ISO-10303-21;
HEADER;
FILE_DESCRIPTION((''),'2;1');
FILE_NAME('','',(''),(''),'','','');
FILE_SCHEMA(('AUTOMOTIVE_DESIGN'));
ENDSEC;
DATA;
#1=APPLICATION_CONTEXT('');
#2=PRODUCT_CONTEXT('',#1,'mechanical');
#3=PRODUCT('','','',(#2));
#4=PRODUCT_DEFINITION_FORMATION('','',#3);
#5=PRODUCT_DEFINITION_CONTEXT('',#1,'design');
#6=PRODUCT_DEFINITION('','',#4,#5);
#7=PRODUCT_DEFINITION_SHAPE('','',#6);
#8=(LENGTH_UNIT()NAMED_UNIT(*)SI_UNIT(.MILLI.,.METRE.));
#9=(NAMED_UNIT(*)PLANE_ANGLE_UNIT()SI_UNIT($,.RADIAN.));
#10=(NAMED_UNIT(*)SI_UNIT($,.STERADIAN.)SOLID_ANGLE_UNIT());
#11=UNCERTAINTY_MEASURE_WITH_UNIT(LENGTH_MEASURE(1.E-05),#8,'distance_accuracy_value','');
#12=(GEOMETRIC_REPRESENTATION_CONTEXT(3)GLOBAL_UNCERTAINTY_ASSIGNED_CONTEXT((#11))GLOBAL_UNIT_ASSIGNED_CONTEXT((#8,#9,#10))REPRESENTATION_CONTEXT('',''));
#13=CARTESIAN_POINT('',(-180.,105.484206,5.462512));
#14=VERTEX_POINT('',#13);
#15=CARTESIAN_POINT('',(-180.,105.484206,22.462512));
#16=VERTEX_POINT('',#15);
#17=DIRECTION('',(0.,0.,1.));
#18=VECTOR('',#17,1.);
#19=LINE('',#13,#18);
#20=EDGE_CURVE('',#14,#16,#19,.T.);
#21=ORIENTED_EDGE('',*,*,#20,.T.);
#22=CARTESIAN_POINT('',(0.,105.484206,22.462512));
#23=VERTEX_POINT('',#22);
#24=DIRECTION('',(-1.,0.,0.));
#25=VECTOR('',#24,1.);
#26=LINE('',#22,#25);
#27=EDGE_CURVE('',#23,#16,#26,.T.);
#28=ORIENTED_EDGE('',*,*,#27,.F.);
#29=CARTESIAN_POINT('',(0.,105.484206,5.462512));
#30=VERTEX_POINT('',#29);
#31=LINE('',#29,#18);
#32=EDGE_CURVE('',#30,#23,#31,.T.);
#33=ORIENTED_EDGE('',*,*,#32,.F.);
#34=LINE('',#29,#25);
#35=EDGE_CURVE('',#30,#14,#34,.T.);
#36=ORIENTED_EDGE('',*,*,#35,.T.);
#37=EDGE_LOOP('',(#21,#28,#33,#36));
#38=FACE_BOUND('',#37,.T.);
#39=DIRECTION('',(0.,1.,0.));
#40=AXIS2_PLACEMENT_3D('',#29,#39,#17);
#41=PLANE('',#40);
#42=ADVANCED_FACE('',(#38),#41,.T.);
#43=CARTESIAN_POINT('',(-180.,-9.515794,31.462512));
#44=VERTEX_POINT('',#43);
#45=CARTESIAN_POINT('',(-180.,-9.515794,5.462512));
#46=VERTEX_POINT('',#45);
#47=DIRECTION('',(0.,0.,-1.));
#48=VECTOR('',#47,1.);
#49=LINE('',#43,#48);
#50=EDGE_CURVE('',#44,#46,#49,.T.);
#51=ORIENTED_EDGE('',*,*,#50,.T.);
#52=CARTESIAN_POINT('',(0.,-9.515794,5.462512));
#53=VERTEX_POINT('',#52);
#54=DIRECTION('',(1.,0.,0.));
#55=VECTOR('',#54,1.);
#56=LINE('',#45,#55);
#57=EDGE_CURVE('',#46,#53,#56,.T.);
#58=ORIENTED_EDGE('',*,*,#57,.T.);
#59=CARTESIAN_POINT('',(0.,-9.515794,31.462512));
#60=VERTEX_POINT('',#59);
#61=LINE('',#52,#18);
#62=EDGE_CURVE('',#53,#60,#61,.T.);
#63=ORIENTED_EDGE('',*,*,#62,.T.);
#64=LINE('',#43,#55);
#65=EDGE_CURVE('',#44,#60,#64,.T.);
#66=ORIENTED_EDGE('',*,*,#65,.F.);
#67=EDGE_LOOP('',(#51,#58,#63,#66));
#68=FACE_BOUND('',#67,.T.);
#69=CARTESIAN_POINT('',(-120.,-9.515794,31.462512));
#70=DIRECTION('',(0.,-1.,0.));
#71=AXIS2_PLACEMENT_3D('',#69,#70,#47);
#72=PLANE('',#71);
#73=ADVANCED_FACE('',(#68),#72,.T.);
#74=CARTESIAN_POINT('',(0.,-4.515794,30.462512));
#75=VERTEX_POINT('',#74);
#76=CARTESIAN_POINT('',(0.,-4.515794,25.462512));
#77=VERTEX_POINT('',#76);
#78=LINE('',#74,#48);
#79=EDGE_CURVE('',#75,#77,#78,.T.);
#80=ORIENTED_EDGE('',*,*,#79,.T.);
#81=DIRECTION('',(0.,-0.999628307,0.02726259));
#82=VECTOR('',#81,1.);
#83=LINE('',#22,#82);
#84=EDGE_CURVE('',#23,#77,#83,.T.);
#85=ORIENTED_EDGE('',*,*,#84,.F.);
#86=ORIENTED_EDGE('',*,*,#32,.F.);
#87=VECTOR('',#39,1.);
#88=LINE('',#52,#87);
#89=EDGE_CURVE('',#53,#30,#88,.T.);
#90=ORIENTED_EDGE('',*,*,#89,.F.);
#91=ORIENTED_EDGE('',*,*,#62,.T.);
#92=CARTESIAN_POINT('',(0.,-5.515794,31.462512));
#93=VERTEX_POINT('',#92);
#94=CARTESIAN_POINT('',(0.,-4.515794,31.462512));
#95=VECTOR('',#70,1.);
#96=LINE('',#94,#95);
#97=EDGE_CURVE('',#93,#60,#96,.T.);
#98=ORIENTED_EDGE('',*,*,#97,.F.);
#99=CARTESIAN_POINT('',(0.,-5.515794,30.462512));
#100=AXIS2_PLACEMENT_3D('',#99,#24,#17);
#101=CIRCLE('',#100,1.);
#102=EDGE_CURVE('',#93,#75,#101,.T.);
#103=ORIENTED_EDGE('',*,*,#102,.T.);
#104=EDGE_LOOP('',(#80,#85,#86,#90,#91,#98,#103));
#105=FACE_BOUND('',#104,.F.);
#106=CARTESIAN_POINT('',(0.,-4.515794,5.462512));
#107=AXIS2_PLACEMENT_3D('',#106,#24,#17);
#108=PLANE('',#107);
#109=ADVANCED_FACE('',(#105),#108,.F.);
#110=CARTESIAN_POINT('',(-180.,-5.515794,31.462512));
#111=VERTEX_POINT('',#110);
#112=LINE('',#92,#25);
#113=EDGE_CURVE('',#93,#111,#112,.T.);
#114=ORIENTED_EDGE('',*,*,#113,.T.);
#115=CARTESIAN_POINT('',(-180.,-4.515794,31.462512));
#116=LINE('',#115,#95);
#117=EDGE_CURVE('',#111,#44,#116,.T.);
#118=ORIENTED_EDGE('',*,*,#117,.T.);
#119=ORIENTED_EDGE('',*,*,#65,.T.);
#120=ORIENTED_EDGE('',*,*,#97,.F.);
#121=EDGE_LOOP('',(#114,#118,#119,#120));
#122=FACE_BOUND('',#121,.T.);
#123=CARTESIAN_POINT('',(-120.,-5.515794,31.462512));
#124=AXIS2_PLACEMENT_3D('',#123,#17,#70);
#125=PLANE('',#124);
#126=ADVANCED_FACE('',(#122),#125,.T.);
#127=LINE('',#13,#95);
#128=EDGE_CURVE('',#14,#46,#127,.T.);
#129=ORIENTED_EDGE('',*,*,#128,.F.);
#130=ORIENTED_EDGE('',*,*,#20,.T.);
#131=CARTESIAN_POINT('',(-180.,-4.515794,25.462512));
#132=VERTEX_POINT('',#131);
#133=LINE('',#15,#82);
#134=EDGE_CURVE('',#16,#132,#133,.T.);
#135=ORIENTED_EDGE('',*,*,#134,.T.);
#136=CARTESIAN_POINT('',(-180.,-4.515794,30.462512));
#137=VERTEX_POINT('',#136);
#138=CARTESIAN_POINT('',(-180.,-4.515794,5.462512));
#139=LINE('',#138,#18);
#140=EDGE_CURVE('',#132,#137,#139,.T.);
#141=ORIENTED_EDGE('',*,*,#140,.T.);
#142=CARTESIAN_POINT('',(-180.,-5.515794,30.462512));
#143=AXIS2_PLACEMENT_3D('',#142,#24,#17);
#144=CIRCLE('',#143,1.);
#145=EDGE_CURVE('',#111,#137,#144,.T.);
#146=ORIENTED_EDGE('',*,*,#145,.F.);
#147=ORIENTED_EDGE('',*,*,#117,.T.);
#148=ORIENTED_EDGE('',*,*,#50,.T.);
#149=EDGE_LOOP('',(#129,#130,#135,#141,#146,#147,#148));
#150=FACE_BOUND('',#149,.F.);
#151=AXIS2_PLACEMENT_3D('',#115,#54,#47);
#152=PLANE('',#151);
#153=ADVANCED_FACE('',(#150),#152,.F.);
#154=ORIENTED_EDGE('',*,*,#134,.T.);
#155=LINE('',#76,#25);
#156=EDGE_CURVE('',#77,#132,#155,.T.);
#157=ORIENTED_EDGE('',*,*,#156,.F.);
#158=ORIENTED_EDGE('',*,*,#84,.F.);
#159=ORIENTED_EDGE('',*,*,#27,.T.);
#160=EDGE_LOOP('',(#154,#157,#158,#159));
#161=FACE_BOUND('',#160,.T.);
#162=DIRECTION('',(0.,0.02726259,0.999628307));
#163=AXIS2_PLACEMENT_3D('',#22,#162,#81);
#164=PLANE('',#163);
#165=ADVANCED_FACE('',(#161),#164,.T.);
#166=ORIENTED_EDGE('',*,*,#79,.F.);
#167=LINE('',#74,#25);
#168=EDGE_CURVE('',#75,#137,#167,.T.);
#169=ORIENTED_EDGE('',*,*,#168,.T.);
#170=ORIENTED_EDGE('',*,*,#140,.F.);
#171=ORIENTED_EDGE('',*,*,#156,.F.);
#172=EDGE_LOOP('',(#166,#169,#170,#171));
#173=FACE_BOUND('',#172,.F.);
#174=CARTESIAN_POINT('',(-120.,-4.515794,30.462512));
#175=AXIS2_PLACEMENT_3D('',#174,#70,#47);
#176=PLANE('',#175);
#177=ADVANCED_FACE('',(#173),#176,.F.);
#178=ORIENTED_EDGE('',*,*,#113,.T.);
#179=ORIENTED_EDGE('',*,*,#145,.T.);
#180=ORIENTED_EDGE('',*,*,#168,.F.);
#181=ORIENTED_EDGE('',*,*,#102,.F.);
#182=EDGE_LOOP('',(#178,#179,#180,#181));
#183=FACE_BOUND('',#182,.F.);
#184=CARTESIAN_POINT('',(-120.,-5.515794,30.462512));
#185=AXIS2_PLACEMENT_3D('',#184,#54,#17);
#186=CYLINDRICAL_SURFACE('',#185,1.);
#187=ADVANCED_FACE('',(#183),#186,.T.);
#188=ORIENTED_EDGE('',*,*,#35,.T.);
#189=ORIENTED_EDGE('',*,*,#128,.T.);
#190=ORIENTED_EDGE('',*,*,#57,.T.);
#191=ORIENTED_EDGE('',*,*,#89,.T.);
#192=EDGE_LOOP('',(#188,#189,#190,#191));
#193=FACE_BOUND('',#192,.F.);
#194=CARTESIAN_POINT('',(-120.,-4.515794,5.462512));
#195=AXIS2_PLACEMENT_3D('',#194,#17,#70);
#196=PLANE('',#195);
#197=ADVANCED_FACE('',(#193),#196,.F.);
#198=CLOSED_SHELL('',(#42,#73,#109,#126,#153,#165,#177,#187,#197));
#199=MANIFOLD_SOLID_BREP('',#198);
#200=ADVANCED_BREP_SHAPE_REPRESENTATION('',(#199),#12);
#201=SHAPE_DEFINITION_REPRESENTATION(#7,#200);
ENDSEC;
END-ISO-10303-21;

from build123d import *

# Parameters (mm, degrees)
F1_DEPTH = 180
F2_W     = 60
F2_H     = 6
F2_H_2   = 20
F3_DEPTH = 5
F4_R     = 1
F5_DEPTH = 60
F6_DEPTH = 60


with BuildPart() as f1:
    # F0 (on Right) → F1 (new body)
    with BuildSketch(Plane.YZ):
        Polygon((105.484205862, 22.4625121504), (-4.515794138, 25.4625121504), (-4.515794138, 5.4625121504), (105.484205862, 5.4625121504), align=None)
    extrude(amount=-F1_DEPTH)

    # F2 (on face) → F3 (join)
    with BuildSketch(Plane.XZ.offset(4.515794138)):
        with Locations((-90, 28.4625121504)):
            Rectangle(F2_W, F2_H)
        with Locations((-90, 15.4625121504)):
            Rectangle(F2_W, F2_H_2)
    extrude(amount=F3_DEPTH)

    # F4
    f4_edges = [f1.edges().sort_by_distance(p)[0] for p in [
        (-90, -4.515794, 31.462512),
    ]]
    fillet(f4_edges, radius=F4_R)

    # F5 (add, through all): a face of the model
    f5_faces = [f1.faces().sort_by_distance(p)[0] for p in [
        (-60, -7.0195585786, 18.4413858238),
    ]]
    extrude(f5_faces, amount=F5_DEPTH)

    # F6 (add, through all): a face of the model
    f6_faces = [f1.faces().sort_by_distance(p)[0] for p in [
        (-120, -7.0195585786, 18.4413858238),
    ]]
    extrude(f6_faces, amount=F6_DEPTH)


solid = f1.part
